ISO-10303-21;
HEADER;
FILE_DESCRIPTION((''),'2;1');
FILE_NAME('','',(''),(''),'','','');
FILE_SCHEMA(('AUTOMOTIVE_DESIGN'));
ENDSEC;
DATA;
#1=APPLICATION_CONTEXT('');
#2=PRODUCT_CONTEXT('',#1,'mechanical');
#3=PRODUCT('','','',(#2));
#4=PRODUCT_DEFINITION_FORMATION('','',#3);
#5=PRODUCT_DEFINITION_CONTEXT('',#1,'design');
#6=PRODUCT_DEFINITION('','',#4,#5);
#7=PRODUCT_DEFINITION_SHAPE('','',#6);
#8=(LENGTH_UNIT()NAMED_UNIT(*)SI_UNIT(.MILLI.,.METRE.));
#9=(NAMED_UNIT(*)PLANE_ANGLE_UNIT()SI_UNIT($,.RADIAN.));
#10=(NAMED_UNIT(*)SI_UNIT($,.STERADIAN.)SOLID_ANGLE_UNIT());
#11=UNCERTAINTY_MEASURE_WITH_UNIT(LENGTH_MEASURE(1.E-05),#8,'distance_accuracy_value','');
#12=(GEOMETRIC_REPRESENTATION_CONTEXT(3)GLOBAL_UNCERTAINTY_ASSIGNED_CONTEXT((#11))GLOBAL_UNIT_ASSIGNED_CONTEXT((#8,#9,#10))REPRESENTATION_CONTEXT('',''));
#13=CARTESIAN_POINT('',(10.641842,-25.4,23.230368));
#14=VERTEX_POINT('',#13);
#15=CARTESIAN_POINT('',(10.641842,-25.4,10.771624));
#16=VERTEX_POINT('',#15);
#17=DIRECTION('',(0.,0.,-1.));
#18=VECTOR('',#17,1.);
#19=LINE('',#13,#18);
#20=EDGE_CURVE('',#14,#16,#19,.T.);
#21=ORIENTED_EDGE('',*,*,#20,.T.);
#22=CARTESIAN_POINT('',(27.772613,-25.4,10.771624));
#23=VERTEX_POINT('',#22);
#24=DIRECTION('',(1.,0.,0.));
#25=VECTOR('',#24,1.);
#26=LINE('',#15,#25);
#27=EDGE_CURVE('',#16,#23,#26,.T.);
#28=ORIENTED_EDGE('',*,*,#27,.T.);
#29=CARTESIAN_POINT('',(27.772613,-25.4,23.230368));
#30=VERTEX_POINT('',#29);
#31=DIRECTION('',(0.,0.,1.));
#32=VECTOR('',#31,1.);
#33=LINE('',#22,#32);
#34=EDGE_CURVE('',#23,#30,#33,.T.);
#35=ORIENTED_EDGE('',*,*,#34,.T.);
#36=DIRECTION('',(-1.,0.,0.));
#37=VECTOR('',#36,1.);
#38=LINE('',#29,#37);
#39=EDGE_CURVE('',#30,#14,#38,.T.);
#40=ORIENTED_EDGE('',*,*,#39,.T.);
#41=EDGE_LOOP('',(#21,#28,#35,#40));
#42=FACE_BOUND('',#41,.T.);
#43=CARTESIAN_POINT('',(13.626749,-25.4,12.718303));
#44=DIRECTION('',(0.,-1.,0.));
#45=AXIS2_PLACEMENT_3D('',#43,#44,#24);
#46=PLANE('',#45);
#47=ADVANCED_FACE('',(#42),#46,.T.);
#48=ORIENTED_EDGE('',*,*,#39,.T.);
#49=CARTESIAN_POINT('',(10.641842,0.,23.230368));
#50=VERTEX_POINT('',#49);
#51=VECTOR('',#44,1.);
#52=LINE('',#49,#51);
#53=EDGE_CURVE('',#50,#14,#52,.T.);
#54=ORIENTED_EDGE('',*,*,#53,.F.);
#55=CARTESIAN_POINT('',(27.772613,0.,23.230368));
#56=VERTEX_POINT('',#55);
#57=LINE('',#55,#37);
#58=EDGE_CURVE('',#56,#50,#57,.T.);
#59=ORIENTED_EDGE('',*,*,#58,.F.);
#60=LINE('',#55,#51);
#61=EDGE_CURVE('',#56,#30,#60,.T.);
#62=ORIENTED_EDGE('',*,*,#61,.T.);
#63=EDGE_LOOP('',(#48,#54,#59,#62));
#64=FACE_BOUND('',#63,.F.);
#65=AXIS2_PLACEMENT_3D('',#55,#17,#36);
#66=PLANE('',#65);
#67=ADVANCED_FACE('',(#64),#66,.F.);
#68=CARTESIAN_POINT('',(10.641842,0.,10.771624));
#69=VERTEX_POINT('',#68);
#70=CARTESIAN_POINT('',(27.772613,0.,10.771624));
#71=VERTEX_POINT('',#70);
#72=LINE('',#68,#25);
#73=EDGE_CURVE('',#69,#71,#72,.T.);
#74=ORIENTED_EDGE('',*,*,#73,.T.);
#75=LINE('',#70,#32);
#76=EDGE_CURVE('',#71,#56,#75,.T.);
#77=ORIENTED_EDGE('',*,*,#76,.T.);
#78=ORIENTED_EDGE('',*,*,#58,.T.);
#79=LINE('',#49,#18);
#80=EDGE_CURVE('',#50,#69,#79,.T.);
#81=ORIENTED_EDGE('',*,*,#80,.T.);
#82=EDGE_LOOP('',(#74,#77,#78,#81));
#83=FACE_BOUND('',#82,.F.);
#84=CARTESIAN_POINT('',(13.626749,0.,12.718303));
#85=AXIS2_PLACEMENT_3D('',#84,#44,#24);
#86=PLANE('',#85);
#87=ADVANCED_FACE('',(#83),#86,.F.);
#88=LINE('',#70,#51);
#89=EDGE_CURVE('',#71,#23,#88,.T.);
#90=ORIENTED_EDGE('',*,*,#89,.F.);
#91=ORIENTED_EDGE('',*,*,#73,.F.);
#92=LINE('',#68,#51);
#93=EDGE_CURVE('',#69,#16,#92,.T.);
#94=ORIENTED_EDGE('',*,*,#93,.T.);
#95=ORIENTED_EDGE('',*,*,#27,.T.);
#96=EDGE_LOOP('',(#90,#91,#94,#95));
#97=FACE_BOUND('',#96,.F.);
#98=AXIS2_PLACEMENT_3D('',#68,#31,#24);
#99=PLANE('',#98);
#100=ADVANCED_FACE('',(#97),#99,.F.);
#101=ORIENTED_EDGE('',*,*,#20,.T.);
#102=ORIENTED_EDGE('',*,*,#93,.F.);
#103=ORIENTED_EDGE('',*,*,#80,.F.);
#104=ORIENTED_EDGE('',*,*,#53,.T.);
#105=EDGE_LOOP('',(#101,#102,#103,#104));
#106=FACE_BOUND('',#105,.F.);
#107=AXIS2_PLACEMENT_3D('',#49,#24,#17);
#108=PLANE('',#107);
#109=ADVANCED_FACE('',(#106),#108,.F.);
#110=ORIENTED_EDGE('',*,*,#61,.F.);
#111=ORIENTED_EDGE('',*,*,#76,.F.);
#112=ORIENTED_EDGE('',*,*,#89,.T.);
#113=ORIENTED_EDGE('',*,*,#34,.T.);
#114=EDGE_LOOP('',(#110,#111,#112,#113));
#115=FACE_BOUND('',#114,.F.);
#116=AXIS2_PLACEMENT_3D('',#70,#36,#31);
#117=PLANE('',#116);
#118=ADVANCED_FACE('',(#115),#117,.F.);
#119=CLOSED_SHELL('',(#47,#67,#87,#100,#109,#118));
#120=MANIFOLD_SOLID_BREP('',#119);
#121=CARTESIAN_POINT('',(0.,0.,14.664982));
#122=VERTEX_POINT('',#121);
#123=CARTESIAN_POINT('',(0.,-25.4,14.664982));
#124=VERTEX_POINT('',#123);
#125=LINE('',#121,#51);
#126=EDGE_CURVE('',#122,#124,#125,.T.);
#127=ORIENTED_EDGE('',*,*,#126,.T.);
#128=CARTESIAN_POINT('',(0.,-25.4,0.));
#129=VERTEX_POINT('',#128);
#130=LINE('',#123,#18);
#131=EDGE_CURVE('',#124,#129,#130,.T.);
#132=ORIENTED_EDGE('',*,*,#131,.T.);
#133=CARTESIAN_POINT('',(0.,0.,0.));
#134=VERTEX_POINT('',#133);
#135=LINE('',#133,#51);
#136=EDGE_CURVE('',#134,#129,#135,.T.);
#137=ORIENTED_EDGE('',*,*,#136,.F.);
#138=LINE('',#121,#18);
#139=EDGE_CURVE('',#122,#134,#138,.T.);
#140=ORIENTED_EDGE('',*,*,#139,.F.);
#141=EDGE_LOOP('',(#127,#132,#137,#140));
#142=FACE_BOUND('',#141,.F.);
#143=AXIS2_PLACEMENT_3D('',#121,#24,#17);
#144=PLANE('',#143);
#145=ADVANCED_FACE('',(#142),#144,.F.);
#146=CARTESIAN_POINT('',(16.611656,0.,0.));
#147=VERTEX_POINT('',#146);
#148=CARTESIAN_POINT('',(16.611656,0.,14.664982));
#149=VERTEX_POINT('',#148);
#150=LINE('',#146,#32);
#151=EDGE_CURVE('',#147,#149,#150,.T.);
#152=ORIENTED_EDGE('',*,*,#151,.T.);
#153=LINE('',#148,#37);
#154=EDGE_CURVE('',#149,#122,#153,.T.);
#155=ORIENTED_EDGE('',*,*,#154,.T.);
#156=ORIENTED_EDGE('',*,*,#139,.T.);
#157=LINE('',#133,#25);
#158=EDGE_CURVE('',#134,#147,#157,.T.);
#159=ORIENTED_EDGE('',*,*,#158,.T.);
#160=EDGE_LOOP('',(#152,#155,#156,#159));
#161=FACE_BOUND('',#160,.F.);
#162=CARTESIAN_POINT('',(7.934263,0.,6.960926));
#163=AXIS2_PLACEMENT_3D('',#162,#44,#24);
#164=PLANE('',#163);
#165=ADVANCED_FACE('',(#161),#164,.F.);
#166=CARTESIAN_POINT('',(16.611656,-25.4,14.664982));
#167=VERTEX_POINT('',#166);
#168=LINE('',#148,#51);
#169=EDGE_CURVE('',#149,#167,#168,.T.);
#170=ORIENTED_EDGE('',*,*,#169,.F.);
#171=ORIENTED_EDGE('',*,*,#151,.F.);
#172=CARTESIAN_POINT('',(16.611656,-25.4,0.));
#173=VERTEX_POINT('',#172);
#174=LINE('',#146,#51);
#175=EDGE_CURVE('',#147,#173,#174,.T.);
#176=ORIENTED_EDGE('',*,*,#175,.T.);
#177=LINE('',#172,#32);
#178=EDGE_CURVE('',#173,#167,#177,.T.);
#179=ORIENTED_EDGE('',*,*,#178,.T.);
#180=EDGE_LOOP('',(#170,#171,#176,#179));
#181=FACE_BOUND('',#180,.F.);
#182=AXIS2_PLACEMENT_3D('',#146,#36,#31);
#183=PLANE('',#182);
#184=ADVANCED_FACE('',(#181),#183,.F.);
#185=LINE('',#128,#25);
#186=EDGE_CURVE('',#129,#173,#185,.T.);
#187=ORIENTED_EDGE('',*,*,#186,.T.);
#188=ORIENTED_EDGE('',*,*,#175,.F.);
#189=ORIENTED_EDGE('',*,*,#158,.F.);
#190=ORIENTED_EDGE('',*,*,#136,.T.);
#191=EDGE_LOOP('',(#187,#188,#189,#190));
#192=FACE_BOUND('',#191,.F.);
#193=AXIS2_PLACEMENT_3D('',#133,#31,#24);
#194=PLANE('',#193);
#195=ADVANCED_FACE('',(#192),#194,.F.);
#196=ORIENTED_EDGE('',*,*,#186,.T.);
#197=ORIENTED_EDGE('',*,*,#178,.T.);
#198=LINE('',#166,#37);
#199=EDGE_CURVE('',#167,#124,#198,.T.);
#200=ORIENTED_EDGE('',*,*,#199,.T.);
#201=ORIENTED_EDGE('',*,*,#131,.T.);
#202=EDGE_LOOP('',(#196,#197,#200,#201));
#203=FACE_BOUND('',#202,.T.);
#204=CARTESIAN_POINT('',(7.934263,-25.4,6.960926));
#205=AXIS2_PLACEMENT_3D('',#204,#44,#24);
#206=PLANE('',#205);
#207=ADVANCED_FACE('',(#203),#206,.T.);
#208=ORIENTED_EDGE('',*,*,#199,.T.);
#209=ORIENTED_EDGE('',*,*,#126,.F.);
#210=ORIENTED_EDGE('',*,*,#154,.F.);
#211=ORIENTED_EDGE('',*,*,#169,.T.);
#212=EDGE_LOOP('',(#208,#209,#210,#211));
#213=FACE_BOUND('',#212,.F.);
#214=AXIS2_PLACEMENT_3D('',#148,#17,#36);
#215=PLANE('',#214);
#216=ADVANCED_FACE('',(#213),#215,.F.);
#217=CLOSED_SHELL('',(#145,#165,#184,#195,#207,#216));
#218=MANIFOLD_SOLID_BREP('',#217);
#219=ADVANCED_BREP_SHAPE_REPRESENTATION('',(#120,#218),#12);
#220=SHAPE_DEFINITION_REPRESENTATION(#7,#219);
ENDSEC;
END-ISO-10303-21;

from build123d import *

# Parameters (mm, degrees)
F0_W     = 5.969814
F0_H     = 3.893358
F1_DEPTH = 25.4
F2_DEPTH = 25.4


with BuildPart() as f1:
    # F0 (on Front) → F1 (new body)
    with BuildSketch(Plane.XZ):
        Polygon((0, 14.664982), (0, 0), (16.611656, 0), (16.611656, 10.771624), (10.641842, 10.771624), (10.641842, 14.664982), align=None)
        with Locations((13.626749, 12.718303)):
            Rectangle(F0_W, F0_H)
    extrude(amount=F1_DEPTH)


with BuildPart() as f2:
    # F0 (on Front) → F2 (new body)
    with BuildSketch(Plane.XZ):
        with Locations((13.626749, 12.718303)):
            Rectangle(F0_W, F0_H)
        Polygon((16.611656, 14.664982), (16.611656, 10.771624), (27.772613, 10.771624), (27.772613, 23.230368), (10.641842, 23.230368), (10.641842, 14.664982), align=None)
    extrude(amount=F2_DEPTH)


solid = Compound([f1.part, f2.part])
